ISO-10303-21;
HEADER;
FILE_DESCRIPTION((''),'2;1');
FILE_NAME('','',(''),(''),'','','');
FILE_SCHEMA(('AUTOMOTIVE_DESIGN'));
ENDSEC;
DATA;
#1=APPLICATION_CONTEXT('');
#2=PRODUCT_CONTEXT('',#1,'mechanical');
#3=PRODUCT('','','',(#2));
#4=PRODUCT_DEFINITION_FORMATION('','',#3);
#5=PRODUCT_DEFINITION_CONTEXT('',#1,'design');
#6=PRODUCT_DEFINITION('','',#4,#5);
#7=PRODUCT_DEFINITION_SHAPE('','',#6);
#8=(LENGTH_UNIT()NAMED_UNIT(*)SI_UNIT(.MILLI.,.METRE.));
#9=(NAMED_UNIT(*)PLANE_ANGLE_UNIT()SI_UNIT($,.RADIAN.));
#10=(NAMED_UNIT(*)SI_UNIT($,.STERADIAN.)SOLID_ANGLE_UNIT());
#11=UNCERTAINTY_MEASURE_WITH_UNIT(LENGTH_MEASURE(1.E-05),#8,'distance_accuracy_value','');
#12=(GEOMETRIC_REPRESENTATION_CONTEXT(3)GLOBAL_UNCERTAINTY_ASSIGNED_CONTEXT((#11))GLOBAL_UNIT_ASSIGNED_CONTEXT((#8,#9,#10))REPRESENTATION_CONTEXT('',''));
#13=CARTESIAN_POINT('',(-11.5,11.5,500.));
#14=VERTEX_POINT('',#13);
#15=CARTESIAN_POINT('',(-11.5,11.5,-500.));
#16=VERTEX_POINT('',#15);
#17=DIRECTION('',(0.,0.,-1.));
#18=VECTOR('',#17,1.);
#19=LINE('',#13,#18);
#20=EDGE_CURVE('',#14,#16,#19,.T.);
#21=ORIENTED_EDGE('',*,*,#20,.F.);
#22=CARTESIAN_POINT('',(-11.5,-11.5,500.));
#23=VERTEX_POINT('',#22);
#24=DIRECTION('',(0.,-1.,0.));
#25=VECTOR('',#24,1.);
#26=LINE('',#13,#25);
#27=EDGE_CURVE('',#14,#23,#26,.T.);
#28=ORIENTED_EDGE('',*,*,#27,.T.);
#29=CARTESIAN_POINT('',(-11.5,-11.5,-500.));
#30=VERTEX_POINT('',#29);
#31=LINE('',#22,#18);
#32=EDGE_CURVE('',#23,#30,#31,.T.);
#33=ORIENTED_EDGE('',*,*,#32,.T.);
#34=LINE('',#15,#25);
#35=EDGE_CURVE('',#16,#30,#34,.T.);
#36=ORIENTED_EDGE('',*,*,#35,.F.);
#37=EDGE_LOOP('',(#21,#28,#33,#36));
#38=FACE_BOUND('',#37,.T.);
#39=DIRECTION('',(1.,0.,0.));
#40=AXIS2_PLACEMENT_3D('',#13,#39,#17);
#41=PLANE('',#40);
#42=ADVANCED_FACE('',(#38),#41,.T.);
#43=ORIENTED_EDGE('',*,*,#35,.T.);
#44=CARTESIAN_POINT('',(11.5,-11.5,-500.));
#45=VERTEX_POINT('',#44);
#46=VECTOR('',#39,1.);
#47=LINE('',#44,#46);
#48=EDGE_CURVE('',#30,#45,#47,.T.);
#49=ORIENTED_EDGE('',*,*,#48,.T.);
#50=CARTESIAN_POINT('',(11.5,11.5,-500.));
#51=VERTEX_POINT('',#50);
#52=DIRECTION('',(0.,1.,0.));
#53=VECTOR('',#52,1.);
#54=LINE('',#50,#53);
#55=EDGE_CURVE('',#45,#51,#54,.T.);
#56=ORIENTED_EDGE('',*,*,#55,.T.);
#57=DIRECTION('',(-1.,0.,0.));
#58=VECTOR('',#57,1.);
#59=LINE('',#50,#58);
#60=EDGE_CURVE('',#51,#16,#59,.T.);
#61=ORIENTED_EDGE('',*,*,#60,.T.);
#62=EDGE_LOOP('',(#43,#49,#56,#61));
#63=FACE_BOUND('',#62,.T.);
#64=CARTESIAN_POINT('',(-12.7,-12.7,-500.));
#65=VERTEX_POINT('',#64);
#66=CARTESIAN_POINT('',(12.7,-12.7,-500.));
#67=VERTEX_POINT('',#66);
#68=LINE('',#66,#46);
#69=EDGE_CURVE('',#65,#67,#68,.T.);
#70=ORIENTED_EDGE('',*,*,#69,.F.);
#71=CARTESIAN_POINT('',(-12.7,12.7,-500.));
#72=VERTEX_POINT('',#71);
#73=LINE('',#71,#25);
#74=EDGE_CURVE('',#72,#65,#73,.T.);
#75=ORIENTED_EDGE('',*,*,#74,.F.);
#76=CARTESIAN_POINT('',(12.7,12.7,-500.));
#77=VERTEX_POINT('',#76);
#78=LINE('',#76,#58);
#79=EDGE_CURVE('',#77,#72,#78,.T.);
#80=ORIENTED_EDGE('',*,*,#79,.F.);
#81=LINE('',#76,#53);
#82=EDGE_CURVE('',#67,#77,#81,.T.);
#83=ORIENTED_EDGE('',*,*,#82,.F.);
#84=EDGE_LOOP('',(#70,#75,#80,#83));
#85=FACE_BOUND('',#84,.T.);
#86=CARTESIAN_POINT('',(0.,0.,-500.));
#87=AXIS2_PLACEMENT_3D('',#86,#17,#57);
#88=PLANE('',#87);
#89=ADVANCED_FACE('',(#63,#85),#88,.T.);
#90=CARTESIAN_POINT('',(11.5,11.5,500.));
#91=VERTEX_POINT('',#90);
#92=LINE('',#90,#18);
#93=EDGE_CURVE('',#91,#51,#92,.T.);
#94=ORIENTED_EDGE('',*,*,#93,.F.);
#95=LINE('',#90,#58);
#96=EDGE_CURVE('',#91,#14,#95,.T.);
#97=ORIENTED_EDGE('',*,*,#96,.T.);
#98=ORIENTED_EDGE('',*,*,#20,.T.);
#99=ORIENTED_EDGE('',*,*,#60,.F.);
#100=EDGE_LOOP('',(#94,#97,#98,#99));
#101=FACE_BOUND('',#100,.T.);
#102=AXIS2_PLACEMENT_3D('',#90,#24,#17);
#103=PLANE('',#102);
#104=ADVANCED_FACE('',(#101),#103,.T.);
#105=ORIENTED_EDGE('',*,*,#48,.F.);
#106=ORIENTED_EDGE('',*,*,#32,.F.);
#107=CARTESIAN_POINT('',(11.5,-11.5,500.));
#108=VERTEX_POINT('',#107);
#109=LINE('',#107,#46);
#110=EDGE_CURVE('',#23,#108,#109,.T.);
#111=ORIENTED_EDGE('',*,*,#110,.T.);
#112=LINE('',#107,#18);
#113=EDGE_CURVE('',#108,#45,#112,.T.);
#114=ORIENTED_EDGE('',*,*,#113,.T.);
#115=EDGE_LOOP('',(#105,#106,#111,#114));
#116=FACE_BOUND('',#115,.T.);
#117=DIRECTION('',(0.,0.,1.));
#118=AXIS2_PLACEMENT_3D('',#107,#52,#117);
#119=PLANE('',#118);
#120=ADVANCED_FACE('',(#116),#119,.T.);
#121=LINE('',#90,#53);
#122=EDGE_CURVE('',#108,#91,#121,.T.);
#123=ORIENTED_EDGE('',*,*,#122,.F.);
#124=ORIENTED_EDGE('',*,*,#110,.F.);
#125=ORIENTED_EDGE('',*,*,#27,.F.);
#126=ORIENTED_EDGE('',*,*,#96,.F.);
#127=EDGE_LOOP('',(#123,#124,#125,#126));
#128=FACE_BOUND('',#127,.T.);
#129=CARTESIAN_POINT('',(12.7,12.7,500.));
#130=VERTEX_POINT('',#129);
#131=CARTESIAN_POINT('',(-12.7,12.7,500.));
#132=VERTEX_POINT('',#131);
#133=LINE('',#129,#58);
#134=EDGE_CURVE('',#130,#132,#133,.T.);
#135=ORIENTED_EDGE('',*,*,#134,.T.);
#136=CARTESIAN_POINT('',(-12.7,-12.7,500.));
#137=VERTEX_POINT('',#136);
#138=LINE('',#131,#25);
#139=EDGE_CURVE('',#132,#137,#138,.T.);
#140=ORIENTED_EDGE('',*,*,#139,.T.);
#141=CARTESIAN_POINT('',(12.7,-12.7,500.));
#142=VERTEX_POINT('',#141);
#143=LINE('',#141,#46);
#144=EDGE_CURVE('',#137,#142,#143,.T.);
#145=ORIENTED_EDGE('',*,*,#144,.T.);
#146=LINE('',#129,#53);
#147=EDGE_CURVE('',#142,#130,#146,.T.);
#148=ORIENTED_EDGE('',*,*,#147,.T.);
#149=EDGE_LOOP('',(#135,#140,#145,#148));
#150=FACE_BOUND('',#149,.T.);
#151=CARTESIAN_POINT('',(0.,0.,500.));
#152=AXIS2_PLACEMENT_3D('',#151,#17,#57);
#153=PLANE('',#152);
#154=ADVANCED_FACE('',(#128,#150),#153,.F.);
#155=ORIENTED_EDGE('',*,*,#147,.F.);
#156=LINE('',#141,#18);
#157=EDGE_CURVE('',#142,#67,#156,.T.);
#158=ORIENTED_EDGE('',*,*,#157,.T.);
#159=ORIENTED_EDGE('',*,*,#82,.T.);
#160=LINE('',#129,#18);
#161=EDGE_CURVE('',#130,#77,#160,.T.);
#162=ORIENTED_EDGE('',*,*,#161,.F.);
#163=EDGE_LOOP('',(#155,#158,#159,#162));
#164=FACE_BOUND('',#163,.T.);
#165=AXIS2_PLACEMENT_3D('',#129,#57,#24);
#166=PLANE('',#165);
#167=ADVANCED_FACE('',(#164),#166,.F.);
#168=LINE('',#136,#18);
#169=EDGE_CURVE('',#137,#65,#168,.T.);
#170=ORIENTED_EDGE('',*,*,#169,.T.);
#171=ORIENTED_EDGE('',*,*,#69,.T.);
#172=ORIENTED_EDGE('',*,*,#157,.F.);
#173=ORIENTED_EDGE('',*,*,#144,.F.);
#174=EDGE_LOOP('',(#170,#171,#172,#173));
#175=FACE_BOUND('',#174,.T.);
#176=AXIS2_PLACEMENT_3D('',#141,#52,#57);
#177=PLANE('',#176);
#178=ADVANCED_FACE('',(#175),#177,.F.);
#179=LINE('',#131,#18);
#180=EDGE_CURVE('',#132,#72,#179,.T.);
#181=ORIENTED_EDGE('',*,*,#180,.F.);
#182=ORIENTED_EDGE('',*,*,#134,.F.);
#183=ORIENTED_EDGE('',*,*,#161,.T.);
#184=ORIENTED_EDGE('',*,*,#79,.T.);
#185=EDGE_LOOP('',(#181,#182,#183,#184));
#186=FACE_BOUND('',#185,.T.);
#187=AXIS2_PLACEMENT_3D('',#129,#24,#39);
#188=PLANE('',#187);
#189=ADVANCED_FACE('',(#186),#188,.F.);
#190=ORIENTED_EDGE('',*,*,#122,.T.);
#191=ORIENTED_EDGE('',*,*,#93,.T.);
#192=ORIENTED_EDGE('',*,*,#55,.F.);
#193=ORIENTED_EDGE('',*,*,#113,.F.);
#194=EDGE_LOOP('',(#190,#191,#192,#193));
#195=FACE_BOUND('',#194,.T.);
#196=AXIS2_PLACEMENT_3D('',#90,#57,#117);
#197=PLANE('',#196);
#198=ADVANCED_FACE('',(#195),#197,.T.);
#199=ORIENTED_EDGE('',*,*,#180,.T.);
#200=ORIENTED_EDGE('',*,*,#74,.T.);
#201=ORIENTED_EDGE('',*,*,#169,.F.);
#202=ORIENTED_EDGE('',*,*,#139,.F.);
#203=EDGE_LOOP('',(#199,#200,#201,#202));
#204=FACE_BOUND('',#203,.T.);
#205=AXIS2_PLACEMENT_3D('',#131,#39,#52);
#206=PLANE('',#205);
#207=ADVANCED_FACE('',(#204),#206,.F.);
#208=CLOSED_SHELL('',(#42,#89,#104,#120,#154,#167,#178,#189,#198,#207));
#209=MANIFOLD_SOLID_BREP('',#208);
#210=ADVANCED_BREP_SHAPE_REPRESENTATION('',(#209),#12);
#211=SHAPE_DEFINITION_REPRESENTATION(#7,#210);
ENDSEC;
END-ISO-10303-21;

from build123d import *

# Parameters (mm, degrees)
SKETCH1_W           = 25.4
SKETCH1_H           = 25.4
SKETCH1_W_2         = 23
SKETCH1_H_2         = 23
BOSS_EXTRUDE1_DEPTH = 500


with BuildPart() as part:
    # Sketch1 → Boss-Extrude1 (new, symmetric)
    with BuildSketch(Plane.XY):
        Rectangle(SKETCH1_W, SKETCH1_H)
        Rectangle(SKETCH1_W_2, SKETCH1_H_2, mode=Mode.SUBTRACT)
    extrude(amount=BOSS_EXTRUDE1_DEPTH, both=True)


solid = part.part
